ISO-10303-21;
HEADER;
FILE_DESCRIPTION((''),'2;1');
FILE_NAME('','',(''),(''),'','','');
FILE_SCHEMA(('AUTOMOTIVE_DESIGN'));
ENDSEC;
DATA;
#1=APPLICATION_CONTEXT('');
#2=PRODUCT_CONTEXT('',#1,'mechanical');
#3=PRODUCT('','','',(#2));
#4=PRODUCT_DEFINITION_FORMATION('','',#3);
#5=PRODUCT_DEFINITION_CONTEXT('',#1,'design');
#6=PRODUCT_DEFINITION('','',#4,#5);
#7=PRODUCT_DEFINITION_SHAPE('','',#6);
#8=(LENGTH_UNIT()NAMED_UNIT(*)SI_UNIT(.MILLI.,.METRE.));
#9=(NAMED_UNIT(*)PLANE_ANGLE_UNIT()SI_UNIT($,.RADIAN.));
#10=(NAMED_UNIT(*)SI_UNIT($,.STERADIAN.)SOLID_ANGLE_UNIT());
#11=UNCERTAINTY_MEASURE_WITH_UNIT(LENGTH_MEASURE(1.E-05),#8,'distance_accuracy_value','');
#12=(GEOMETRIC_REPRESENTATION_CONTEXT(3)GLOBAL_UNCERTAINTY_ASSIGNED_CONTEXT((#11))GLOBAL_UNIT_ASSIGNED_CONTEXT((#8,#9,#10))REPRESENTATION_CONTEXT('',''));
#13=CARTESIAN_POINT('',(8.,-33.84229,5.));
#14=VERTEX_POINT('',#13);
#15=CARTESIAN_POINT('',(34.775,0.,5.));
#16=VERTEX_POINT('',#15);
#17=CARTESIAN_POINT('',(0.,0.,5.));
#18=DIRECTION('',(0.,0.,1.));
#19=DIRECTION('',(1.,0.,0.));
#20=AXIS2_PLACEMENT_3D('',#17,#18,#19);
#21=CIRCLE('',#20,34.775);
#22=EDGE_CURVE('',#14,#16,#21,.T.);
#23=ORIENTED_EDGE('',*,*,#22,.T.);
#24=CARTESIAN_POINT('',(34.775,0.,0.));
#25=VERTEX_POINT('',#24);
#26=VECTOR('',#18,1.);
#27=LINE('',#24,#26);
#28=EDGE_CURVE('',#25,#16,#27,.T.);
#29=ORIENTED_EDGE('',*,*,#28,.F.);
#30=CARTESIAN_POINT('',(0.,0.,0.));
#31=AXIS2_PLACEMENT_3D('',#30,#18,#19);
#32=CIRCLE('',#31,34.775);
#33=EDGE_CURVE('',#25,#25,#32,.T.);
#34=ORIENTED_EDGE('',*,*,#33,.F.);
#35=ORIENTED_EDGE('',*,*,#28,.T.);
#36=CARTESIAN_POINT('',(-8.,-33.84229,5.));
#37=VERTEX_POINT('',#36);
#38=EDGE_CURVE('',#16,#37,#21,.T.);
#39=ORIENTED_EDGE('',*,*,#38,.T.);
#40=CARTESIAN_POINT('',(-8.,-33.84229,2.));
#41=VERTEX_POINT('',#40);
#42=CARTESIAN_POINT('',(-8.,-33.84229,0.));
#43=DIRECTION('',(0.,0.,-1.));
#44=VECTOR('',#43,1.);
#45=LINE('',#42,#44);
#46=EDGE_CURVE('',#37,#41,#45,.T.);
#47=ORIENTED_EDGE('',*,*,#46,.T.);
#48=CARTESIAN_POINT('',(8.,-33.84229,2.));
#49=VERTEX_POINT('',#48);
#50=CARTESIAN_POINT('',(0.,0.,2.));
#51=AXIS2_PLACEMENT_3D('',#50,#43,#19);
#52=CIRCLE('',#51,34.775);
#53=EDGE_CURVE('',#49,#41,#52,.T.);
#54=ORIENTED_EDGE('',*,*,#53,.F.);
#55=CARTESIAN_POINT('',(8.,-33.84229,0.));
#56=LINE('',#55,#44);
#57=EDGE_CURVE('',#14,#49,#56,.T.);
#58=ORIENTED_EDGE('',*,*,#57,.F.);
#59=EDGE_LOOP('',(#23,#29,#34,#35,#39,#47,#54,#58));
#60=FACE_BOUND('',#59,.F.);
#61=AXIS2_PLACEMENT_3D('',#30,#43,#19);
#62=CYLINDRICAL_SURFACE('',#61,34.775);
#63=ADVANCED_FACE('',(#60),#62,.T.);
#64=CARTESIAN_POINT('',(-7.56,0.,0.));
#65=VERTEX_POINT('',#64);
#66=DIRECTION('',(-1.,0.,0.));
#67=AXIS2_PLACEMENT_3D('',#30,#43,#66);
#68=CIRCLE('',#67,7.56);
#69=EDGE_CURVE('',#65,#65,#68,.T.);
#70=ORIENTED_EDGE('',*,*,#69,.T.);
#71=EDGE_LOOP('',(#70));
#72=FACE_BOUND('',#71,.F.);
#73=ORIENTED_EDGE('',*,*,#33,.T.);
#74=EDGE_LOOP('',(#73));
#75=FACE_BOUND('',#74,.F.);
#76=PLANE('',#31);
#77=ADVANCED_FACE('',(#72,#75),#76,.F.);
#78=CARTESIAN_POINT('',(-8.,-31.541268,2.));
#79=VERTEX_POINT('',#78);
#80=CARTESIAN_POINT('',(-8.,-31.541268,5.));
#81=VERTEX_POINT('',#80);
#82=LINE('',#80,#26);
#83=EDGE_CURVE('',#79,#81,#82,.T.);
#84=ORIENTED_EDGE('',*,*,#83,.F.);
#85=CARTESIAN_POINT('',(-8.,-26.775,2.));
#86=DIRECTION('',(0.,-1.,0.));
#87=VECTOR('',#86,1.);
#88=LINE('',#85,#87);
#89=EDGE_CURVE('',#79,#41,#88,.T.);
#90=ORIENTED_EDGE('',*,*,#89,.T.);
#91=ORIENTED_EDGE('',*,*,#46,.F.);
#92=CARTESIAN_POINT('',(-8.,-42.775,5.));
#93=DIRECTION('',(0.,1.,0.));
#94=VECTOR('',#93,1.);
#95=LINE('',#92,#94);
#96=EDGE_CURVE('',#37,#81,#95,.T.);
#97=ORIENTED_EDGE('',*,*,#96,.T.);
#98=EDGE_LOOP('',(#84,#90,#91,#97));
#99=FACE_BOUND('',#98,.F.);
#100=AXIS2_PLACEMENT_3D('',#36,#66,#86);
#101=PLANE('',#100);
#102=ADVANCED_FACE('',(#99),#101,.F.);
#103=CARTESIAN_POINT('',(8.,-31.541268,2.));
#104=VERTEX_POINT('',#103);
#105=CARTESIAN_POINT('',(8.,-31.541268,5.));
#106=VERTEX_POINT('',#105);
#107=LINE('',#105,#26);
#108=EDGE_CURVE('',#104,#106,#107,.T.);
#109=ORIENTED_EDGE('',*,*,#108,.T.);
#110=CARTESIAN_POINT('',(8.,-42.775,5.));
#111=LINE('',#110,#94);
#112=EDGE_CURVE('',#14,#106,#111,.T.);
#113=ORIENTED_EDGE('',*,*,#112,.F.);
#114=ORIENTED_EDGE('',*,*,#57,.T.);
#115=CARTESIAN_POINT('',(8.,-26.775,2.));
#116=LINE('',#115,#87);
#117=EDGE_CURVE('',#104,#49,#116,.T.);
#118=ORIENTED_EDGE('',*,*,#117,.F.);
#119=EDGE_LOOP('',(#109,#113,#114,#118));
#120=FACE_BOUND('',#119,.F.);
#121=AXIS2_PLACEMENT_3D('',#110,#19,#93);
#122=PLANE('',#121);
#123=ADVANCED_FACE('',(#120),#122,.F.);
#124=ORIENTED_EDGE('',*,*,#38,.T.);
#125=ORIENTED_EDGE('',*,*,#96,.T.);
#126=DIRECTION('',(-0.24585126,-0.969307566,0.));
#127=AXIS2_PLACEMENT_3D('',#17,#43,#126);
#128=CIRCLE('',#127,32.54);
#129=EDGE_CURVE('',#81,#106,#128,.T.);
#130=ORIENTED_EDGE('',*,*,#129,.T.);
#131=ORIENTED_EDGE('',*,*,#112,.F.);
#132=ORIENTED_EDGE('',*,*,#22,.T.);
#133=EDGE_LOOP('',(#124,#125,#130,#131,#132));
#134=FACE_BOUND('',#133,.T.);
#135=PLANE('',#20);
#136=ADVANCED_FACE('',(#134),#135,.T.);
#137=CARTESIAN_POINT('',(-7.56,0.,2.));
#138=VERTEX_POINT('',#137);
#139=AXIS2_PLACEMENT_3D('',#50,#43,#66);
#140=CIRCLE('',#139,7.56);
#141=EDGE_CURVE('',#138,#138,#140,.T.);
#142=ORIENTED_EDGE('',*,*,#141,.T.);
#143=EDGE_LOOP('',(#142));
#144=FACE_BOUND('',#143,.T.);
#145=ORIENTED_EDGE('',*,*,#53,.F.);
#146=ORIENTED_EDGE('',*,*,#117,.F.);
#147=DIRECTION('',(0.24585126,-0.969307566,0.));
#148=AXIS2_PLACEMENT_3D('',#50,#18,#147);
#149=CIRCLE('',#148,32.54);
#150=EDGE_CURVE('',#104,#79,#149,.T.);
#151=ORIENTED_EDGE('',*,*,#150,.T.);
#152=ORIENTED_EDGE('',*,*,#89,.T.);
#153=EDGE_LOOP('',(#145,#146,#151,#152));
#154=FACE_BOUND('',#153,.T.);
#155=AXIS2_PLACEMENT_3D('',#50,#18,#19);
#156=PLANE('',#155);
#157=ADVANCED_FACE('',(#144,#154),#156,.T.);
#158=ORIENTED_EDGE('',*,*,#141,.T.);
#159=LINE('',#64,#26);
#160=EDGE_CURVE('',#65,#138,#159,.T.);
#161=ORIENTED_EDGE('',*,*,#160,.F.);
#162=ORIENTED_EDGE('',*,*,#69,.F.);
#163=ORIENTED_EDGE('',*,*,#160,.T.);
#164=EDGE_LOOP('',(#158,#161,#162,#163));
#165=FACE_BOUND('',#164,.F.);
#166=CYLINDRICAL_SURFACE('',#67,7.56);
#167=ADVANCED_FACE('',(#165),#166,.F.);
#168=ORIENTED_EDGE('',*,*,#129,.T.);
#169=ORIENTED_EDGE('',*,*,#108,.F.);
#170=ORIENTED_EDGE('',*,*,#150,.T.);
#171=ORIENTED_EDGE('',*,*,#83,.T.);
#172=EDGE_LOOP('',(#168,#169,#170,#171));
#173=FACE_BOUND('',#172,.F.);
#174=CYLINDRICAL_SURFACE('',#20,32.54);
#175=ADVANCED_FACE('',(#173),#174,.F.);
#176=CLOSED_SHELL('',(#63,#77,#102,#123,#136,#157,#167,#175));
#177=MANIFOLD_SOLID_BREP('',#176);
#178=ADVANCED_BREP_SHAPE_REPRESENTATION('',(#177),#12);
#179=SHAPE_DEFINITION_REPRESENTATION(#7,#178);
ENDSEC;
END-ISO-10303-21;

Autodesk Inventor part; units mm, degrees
ref_plane "YZ Plane" through (0, 0, 0) normal (1, 0, 0) x (0, 1, 0)
ref_plane "XZ Plane" through (0, 0, 0) normal (0, 1, 0) x (-1, 0, 0)
ref_plane "XY Plane" through (0, 0, 0) normal (0, 0, 1) x (1, 0, 0)
sketch "Skizze1" plane through (0, 0, 0) normal (0, 0, 1) x (1, 0, 0)
  circle A0 centre (0, 0) radius 34.775
  dimension "d0" = 69.55
extrude "Extrusion1" add sketch "Skizze1" along normal blind 5
sketch "Skizze2" plane through (0, 0, 5) normal (0, 0, 1) x (1, 0, 0)
  circle A0 centre (0, 0) radius 32.54
  dimension "d3" = 65.08
extrude "Extrusion2" cut sketch "Skizze2" against normal blind 3
sketch "Skizze3" plane through (0, 0, 0) normal (0, 0, -1) x (-1, 0, 0)
  circle A0 centre (0, 0) radius 7.56
  dimension "d6" = 15.12
extrude "Extrusion3" cut sketch "Skizze3" against normal through all
sketch "Skizze4" plane through (0, 0, 5) normal (0, 0, 1) x (1, 0, 0)
  line L0 (-8, -42.775) -> (8, -42.775)
  line L1 (8, -42.775) -> (8, -26.775)
  line L2 (8, -26.775) -> (-8, -26.775)
  line L3 (-8, -26.775) -> (-8, -42.775)
  circle A0 centre (0, 0) radius 34.775 projected
  line L4 (-8, -42.775) -> (8, -26.775) construction
  line L5 (8, -42.775) -> (-8, -26.775) construction
  point P0 (0, -34.775)
  dimension "d9" = 16
  dimension "d10" = 16
extrude "Extrusion4" cut sketch "Skizze4" against normal up to surface (3 mm away) contours L3 A0 L1 L0 | L3 L2 L1 A0 picked at (0.896, -29.407)
properties part number "2024_08_28_Holder_disk_GCvial"
